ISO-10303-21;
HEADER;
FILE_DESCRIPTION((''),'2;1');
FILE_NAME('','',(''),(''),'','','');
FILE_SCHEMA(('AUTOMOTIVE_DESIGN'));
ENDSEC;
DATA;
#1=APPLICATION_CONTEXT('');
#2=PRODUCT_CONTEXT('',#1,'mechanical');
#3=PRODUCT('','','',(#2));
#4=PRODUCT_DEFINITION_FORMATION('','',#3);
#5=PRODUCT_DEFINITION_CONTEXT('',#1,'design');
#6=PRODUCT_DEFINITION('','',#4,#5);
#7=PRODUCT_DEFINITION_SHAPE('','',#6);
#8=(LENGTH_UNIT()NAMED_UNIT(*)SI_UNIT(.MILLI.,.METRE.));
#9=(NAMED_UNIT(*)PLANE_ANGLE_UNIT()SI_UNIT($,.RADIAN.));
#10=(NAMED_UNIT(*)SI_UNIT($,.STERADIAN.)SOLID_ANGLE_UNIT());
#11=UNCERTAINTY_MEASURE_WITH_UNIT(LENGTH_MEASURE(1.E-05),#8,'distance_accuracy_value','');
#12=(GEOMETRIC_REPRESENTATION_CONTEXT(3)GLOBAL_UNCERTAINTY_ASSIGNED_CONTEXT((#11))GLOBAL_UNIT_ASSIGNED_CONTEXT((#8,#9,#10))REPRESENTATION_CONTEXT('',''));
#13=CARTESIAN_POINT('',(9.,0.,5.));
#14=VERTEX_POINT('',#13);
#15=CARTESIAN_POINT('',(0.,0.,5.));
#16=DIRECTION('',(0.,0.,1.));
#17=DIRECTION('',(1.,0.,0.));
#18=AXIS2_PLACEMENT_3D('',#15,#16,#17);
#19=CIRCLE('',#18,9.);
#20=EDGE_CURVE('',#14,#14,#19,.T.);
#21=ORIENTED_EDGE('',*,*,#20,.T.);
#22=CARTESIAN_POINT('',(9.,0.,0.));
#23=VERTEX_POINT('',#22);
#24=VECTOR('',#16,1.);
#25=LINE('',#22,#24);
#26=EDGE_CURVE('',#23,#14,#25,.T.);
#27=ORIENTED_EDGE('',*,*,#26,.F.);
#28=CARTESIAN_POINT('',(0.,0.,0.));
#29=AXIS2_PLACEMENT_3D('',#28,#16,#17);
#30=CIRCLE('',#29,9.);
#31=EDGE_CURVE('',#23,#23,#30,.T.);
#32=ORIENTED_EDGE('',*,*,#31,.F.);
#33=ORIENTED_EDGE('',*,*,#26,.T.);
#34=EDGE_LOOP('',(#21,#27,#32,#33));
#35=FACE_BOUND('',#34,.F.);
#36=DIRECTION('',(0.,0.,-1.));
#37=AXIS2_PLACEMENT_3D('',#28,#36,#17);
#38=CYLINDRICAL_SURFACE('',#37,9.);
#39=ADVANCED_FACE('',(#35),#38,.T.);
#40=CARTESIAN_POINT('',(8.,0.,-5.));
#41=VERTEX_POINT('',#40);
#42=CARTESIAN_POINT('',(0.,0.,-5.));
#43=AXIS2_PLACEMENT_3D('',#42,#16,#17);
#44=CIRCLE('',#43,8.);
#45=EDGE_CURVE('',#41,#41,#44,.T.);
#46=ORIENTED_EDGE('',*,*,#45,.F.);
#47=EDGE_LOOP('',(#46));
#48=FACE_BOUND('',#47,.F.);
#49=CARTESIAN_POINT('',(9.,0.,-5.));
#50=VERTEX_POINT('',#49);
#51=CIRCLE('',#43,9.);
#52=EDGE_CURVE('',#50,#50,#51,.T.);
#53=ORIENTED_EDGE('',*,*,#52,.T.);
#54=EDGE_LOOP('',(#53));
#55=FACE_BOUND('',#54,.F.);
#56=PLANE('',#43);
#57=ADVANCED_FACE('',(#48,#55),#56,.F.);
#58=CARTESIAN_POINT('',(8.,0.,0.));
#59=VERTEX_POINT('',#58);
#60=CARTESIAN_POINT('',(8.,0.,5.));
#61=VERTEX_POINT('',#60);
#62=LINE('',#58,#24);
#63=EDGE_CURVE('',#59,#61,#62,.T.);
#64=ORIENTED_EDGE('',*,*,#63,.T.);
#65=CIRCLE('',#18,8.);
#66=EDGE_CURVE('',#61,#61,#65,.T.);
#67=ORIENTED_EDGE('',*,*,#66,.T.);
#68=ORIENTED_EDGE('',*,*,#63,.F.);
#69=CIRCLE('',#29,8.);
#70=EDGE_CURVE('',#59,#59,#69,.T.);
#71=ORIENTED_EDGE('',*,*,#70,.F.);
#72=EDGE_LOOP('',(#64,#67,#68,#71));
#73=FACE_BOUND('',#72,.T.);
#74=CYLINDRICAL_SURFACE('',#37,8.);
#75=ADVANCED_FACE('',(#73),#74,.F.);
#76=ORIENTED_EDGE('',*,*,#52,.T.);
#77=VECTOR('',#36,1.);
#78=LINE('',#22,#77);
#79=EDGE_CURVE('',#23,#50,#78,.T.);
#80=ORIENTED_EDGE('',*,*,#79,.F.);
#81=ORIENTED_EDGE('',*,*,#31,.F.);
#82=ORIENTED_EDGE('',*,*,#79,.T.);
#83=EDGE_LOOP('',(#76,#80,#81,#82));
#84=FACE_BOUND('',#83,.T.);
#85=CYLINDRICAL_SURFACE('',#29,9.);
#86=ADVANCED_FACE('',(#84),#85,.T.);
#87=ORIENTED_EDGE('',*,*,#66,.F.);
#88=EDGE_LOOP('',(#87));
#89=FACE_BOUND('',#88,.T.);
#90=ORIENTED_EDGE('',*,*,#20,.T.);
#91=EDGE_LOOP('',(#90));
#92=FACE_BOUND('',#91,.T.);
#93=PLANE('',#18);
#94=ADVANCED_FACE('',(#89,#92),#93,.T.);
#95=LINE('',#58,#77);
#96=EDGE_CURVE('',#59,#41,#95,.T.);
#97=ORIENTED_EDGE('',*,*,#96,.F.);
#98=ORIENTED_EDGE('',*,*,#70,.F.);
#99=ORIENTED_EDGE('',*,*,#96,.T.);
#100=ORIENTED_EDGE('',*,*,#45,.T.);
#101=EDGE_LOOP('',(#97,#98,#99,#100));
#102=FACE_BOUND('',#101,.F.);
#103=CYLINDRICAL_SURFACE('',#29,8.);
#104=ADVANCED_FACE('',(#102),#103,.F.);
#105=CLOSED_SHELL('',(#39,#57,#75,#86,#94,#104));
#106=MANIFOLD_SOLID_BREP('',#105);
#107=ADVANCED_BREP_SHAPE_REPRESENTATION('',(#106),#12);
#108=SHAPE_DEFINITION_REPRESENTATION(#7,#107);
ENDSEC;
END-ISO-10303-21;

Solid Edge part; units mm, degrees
sketch "Sketch1" plane through (0, 0, 0) normal (0, 0, 1) x (1, 0, 0)
  circle A0 centre (0, 0) radius 8
  circle A1 centre (0, 0) radius 9
  dimension "D1" = 18
  dimension "D2" = 16
extrude "Ajout_matière_1" add sketch "Sketch1" along normal mid plane 10
properties material "Cuivre"
